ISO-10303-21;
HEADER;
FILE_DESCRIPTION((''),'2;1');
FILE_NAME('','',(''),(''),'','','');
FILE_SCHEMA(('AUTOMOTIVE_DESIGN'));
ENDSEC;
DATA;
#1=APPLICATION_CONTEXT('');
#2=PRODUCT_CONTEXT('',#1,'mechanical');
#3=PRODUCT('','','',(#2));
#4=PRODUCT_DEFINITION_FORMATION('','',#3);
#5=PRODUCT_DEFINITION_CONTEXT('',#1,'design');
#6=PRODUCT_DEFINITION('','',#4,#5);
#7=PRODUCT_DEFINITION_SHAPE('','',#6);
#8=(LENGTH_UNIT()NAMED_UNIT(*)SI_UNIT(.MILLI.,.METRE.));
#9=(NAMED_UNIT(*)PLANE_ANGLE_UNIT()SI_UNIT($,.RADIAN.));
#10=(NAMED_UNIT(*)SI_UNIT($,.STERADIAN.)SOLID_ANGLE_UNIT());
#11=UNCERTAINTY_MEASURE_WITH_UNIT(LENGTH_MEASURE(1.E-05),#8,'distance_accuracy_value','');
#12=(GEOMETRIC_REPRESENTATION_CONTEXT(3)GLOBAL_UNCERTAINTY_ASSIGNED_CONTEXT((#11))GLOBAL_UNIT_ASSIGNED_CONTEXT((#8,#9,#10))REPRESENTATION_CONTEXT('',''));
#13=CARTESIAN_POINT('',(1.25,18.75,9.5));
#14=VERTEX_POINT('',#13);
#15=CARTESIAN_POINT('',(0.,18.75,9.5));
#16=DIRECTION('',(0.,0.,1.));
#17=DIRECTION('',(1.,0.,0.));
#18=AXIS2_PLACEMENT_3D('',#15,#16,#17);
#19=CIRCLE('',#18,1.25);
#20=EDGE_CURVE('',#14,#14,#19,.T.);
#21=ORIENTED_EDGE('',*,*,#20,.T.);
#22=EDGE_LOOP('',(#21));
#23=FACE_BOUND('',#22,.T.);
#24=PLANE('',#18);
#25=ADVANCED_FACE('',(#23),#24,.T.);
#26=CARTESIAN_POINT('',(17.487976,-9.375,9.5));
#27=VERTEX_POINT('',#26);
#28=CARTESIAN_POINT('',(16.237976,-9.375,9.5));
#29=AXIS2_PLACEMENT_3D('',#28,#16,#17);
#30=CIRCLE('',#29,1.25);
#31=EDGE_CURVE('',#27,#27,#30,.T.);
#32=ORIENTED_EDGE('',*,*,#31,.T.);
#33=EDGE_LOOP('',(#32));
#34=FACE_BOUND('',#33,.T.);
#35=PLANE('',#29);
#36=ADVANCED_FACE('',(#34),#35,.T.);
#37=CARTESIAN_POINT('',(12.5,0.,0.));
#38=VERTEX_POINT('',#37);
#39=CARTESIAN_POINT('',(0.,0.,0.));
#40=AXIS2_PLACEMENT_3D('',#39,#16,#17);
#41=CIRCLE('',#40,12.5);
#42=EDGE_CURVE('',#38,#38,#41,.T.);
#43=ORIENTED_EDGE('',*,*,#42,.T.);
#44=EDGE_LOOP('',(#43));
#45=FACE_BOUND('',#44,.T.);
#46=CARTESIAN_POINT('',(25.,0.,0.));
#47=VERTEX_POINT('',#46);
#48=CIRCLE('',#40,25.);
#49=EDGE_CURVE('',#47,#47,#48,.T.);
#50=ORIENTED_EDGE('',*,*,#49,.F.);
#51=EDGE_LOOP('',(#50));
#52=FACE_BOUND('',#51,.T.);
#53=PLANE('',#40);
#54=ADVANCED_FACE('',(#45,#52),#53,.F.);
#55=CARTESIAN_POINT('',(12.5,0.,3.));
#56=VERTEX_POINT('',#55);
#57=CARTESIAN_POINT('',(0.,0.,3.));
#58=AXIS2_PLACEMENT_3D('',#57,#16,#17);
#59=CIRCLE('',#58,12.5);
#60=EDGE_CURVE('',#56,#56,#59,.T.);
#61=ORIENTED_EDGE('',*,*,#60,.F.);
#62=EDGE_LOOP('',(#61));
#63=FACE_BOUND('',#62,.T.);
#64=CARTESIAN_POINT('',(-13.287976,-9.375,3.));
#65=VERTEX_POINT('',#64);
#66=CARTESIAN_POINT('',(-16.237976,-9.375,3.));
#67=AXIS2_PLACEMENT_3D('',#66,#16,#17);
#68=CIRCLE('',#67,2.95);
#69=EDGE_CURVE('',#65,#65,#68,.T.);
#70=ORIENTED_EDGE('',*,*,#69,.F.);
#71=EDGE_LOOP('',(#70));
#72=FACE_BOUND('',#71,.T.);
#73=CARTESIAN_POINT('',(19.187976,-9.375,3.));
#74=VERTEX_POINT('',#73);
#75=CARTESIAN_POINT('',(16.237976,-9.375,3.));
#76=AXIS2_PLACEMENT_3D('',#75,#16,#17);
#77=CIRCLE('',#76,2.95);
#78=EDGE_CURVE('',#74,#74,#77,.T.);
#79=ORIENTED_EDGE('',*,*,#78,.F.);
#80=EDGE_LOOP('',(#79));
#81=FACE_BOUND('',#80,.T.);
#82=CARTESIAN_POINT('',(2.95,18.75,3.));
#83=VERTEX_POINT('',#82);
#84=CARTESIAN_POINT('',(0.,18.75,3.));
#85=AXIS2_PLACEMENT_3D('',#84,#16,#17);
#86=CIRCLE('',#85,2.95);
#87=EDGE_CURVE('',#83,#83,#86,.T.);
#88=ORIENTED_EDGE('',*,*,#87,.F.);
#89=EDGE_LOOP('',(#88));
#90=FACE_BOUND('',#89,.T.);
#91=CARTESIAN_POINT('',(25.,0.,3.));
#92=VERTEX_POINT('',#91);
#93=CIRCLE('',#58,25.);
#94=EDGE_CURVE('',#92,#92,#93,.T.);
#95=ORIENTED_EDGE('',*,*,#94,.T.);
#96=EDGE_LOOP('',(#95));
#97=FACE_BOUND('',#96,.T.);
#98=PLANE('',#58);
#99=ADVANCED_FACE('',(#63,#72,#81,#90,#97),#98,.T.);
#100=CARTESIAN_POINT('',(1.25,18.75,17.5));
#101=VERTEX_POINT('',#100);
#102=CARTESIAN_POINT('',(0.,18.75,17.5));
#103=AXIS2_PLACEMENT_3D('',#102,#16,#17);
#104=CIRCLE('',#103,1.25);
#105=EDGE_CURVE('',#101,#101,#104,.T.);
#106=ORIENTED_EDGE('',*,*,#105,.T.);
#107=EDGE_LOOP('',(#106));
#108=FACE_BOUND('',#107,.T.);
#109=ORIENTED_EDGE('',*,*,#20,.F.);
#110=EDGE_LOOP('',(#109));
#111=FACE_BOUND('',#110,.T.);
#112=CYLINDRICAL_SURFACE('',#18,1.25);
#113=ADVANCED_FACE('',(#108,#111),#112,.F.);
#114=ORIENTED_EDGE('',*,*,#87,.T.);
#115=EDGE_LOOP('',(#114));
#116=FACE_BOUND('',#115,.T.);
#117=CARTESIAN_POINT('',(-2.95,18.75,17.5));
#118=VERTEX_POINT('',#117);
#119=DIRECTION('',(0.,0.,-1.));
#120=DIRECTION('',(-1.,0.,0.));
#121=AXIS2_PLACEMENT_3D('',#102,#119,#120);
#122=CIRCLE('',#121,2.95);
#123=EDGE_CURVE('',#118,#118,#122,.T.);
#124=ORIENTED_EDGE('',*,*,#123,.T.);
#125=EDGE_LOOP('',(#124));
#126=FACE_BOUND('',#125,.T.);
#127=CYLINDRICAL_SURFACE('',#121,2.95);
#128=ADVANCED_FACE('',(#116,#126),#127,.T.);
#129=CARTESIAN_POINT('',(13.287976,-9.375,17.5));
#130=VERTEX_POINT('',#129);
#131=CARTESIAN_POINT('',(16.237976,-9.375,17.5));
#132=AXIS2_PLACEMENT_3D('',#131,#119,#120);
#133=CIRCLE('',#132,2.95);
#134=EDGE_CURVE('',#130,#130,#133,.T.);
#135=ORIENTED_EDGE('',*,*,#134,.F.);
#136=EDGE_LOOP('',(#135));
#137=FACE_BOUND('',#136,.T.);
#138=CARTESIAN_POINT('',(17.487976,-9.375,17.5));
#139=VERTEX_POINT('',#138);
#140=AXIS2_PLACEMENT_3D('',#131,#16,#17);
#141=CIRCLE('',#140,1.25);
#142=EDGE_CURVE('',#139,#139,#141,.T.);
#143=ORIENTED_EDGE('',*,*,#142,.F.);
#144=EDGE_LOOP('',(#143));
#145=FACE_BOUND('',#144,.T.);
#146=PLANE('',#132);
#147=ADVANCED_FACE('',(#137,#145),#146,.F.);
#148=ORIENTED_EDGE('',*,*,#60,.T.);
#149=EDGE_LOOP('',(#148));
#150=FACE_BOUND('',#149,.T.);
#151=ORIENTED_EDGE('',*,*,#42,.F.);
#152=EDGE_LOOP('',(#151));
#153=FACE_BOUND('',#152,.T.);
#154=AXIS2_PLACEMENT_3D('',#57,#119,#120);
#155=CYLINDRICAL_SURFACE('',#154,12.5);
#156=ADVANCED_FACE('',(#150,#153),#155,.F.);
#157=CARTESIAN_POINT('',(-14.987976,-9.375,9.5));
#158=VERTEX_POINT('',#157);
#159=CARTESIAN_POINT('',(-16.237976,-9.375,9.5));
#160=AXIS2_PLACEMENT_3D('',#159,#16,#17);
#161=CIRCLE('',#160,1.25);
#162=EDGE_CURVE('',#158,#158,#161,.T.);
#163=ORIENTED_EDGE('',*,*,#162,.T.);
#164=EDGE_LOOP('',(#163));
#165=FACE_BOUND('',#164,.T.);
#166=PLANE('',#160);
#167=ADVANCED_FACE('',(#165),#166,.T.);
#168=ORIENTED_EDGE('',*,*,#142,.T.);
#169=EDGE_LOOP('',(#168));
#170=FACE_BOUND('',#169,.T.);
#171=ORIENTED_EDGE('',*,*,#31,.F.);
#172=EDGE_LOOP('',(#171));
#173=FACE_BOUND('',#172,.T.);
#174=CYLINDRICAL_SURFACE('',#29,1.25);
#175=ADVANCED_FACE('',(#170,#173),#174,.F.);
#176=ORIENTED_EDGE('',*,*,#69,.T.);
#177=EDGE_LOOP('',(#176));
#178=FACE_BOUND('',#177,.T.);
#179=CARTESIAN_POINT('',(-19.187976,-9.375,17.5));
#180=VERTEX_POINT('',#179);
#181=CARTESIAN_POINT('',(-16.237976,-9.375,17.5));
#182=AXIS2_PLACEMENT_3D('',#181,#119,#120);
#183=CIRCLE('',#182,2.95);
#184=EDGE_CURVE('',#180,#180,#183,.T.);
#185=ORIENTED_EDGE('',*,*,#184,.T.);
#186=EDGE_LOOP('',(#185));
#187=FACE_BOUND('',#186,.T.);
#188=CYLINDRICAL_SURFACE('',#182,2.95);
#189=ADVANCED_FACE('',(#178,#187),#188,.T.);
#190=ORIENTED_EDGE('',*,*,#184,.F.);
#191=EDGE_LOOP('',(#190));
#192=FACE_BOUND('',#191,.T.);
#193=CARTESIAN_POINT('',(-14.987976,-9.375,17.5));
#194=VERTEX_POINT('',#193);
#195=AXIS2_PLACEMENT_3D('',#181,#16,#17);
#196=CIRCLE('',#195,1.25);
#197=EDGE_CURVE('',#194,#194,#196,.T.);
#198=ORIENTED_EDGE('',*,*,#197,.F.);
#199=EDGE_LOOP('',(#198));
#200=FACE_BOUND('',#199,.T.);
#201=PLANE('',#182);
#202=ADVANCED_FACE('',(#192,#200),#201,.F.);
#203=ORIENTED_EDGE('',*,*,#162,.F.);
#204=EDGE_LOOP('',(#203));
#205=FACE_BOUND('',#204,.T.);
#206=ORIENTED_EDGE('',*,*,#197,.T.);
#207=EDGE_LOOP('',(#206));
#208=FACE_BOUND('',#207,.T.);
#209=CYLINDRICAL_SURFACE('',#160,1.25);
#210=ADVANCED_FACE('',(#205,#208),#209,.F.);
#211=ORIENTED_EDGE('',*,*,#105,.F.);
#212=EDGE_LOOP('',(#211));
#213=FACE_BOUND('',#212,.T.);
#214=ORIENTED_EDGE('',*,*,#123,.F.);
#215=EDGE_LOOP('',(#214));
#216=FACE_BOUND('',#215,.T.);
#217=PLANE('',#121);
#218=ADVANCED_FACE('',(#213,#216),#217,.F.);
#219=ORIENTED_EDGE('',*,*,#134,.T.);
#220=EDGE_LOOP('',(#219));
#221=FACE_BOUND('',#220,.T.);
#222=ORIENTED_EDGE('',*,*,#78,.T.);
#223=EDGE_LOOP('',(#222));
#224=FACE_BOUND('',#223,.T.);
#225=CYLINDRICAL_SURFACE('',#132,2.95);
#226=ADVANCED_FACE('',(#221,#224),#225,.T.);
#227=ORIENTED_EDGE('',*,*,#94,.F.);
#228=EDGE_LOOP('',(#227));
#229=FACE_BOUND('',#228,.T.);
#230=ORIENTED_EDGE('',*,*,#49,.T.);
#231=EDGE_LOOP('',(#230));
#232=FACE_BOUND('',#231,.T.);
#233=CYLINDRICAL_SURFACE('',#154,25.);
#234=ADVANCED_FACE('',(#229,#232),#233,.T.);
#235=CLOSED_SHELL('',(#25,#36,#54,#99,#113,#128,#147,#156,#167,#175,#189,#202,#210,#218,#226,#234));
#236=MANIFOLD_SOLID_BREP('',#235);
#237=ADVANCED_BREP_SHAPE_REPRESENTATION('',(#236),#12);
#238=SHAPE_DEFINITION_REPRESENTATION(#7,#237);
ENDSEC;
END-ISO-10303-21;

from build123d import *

# Parameters (mm, degrees)
SKETCH1_R           = 25
SKETCH1_R_2         = 12.5
SKETCH1_R_3         = 2.95
BOSS_EXTRUDE1_DEPTH = 3
SKETCH4_R           = 2.95
BOSS_EXTRUDE3_DEPTH = 17.5
SKETCH5_R           = 1.25
CUT_EXTRUDE2_DEPTH  = 8


with BuildPart() as part:
    # Sketch1 → Boss-Extrude1 (new body)
    with BuildSketch(Plane.XY):
        Circle(SKETCH1_R)
        Circle(SKETCH1_R_2, mode=Mode.SUBTRACT)
        with Locations((0, 18.75)):
            Circle(SKETCH1_R_3, mode=Mode.SUBTRACT)
        with Locations((16.237976321, -9.375)):
            Circle(SKETCH1_R_3, mode=Mode.SUBTRACT)
        with Locations((-16.237976321, -9.375)):
            Circle(SKETCH1_R_3, mode=Mode.SUBTRACT)
    extrude(amount=BOSS_EXTRUDE1_DEPTH)

    # Sketch4 → Boss-Extrude3 (add)
    with BuildSketch(Plane(origin=(0, 0, 0), x_dir=(-1, 0, 0), z_dir=(0, 0, -1))):
        with Locations((16.237976321, -9.375)):
            Circle(SKETCH4_R)
        with Locations((0, 18.75)):
            Circle(SKETCH4_R)
        with Locations((-16.237976321, -9.375)):
            Circle(SKETCH4_R)
    extrude(amount=-BOSS_EXTRUDE3_DEPTH)

    # Sketch5 → Cut-Extrude2 (cut)
    with BuildSketch(Plane.XY.offset(17.5)):
        with Locations((16.237976321, -9.375)):
            Circle(SKETCH5_R)
        with Locations((-16.237976321, -9.375)):
            Circle(SKETCH5_R)
        with Locations((0, 18.75)):
            Circle(SKETCH5_R)
    extrude(amount=-CUT_EXTRUDE2_DEPTH, mode=Mode.SUBTRACT)


solid = part.part
